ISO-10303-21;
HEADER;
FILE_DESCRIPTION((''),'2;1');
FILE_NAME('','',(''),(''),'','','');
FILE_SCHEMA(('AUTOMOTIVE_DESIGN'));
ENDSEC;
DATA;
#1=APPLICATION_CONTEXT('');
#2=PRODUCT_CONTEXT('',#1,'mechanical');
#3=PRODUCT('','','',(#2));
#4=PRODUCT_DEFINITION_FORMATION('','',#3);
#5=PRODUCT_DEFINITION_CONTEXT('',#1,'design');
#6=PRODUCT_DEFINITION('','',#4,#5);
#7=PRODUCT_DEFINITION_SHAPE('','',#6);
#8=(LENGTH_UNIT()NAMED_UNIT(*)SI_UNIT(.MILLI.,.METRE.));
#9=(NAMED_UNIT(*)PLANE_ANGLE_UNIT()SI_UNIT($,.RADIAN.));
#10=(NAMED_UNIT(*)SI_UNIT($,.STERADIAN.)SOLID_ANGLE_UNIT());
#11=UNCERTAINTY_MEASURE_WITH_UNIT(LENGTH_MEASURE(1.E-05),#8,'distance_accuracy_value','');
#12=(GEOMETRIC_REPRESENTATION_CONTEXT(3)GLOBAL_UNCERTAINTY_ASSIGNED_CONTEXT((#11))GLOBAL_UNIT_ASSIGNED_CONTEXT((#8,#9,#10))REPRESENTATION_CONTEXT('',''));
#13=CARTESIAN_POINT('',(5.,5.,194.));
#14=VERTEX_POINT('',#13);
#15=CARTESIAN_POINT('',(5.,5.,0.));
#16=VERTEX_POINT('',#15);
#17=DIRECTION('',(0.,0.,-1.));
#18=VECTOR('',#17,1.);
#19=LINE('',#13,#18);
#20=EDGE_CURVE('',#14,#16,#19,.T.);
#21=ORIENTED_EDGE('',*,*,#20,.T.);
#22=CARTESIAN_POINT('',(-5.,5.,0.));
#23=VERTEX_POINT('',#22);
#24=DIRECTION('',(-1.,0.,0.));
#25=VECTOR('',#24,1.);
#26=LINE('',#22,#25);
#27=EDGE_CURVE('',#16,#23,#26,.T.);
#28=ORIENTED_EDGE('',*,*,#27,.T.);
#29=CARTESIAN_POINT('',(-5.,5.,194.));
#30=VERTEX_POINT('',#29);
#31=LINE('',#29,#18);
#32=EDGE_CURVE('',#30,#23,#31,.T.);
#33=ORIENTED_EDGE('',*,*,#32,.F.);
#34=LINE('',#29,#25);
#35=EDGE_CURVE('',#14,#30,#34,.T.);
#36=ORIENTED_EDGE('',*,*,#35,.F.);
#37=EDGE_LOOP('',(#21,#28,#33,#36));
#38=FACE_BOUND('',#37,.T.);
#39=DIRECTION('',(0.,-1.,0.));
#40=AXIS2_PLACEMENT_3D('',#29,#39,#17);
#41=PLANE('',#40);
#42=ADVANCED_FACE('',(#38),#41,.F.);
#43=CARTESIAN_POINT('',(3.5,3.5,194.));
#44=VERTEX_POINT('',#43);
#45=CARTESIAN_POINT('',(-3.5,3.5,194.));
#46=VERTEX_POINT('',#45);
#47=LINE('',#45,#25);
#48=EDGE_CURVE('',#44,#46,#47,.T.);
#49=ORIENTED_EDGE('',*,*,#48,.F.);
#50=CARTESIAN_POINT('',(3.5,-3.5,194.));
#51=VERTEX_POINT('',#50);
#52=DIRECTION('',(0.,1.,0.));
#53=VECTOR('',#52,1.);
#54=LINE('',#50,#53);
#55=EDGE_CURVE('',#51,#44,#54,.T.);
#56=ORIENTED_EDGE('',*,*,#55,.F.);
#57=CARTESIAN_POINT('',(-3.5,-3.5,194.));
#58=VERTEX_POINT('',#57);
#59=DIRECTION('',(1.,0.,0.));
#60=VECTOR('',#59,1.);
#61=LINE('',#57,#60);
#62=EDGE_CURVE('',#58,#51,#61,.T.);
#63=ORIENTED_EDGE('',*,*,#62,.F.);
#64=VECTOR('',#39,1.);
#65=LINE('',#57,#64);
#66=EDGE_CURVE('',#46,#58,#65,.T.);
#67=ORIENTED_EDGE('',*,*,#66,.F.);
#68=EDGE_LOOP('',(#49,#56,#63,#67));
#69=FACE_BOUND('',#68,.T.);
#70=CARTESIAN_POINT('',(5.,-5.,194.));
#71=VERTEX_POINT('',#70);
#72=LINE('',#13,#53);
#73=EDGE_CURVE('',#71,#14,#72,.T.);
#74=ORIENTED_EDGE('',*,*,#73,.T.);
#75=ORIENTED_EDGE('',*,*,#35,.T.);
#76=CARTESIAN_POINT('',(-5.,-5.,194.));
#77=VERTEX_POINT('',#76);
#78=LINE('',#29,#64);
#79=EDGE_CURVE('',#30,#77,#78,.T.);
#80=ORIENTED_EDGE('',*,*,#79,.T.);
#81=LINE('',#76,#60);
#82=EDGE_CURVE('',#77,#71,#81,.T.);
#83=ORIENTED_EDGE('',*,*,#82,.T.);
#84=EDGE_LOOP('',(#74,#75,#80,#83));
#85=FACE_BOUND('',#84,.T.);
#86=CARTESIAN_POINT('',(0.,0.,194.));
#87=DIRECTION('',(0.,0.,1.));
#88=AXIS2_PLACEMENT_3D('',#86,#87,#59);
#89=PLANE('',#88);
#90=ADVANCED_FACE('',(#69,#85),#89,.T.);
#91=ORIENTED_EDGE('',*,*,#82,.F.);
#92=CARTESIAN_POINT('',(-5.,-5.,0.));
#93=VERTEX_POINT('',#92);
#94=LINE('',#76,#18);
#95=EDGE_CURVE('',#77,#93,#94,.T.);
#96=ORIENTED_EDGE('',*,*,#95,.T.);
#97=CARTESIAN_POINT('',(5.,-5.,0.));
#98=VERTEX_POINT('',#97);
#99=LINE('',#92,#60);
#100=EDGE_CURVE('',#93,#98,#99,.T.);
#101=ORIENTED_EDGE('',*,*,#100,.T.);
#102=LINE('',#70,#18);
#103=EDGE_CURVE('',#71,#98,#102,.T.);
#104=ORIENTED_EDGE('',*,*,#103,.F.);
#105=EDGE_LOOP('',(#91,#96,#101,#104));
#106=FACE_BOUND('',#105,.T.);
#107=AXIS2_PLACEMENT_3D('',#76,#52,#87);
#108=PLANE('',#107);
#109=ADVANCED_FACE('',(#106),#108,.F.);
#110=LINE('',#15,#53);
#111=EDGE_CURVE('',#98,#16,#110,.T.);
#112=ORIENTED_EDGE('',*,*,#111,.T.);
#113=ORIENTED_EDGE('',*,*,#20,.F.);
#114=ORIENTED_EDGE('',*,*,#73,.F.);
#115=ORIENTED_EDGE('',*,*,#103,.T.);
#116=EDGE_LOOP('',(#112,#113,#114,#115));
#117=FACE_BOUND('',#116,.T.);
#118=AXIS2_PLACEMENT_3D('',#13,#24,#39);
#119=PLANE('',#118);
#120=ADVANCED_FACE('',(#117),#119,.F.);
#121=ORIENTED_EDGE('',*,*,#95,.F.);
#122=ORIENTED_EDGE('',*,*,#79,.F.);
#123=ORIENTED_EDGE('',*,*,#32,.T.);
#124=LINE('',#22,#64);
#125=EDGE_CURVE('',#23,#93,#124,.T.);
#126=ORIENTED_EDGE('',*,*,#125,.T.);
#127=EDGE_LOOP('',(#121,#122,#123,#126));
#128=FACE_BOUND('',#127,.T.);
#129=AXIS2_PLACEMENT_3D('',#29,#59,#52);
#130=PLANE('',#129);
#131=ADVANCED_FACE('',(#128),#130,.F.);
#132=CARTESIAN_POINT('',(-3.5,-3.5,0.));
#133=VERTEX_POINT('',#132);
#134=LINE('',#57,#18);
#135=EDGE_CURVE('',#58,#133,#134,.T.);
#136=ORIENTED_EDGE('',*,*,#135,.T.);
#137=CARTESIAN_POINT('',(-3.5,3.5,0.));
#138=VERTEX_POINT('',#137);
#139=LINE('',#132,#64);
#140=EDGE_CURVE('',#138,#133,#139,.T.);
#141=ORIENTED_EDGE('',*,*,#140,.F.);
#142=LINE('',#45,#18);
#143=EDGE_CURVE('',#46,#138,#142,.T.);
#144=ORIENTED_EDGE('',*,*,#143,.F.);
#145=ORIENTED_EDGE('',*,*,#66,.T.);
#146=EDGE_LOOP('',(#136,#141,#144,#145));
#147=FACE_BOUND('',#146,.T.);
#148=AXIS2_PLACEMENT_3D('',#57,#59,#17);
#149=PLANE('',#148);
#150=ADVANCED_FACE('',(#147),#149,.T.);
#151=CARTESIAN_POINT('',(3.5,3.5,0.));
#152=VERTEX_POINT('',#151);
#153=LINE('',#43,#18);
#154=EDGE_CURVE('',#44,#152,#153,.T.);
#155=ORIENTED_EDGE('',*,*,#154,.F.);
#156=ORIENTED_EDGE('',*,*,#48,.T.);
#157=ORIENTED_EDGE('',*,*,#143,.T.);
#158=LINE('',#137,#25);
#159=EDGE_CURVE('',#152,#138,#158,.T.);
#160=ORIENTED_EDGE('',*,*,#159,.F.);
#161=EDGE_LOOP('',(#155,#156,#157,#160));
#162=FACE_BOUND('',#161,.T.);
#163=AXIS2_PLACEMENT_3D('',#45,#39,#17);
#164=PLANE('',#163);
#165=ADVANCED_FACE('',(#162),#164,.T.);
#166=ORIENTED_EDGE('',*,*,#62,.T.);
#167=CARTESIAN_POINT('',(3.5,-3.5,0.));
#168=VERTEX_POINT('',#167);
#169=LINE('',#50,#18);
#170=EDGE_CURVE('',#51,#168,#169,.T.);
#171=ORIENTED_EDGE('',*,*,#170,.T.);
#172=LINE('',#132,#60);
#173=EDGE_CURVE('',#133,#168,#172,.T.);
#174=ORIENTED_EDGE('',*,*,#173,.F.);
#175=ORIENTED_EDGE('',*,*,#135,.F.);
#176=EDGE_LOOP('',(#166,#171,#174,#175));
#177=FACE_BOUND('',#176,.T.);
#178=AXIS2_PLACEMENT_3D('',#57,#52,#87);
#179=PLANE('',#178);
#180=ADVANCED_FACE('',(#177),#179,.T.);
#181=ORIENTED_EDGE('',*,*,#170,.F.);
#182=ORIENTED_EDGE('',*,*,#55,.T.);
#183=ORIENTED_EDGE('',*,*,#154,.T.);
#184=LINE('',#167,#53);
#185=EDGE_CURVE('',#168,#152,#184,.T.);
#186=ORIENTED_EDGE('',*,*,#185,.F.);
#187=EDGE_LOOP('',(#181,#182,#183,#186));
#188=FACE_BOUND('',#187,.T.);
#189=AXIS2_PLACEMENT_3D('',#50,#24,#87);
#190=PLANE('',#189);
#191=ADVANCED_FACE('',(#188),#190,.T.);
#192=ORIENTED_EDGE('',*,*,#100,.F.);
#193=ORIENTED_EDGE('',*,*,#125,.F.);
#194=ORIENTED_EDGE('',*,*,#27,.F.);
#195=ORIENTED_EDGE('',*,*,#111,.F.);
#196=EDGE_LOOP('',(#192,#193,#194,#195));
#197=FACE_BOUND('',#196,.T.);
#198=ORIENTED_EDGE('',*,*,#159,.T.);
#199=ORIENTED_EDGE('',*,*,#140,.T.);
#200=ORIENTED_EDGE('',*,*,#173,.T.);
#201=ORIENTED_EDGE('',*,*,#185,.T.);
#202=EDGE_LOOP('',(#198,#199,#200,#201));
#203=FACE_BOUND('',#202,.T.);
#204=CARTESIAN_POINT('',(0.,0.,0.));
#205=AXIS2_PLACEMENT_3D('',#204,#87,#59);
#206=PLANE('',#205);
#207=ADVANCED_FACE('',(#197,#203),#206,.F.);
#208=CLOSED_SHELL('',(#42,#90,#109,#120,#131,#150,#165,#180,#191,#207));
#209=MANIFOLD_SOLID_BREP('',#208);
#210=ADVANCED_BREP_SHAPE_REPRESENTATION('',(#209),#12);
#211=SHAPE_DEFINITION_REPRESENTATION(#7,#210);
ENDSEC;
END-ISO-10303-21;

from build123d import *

# Parameters (mm, degrees)
SKETCH1_W           = 10
SKETCH1_H           = 10
SKETCH1_W_2         = 7
SKETCH1_H_2         = 7
BOSS_EXTRUDE1_DEPTH = 194


with BuildPart() as part:
    # Sketch1 → Boss-Extrude1 (new body)
    with BuildSketch(Plane.XY):
        Rectangle(SKETCH1_W, SKETCH1_H)
        Rectangle(SKETCH1_W_2, SKETCH1_H_2, mode=Mode.SUBTRACT)
    extrude(amount=BOSS_EXTRUDE1_DEPTH)


solid = part.part
